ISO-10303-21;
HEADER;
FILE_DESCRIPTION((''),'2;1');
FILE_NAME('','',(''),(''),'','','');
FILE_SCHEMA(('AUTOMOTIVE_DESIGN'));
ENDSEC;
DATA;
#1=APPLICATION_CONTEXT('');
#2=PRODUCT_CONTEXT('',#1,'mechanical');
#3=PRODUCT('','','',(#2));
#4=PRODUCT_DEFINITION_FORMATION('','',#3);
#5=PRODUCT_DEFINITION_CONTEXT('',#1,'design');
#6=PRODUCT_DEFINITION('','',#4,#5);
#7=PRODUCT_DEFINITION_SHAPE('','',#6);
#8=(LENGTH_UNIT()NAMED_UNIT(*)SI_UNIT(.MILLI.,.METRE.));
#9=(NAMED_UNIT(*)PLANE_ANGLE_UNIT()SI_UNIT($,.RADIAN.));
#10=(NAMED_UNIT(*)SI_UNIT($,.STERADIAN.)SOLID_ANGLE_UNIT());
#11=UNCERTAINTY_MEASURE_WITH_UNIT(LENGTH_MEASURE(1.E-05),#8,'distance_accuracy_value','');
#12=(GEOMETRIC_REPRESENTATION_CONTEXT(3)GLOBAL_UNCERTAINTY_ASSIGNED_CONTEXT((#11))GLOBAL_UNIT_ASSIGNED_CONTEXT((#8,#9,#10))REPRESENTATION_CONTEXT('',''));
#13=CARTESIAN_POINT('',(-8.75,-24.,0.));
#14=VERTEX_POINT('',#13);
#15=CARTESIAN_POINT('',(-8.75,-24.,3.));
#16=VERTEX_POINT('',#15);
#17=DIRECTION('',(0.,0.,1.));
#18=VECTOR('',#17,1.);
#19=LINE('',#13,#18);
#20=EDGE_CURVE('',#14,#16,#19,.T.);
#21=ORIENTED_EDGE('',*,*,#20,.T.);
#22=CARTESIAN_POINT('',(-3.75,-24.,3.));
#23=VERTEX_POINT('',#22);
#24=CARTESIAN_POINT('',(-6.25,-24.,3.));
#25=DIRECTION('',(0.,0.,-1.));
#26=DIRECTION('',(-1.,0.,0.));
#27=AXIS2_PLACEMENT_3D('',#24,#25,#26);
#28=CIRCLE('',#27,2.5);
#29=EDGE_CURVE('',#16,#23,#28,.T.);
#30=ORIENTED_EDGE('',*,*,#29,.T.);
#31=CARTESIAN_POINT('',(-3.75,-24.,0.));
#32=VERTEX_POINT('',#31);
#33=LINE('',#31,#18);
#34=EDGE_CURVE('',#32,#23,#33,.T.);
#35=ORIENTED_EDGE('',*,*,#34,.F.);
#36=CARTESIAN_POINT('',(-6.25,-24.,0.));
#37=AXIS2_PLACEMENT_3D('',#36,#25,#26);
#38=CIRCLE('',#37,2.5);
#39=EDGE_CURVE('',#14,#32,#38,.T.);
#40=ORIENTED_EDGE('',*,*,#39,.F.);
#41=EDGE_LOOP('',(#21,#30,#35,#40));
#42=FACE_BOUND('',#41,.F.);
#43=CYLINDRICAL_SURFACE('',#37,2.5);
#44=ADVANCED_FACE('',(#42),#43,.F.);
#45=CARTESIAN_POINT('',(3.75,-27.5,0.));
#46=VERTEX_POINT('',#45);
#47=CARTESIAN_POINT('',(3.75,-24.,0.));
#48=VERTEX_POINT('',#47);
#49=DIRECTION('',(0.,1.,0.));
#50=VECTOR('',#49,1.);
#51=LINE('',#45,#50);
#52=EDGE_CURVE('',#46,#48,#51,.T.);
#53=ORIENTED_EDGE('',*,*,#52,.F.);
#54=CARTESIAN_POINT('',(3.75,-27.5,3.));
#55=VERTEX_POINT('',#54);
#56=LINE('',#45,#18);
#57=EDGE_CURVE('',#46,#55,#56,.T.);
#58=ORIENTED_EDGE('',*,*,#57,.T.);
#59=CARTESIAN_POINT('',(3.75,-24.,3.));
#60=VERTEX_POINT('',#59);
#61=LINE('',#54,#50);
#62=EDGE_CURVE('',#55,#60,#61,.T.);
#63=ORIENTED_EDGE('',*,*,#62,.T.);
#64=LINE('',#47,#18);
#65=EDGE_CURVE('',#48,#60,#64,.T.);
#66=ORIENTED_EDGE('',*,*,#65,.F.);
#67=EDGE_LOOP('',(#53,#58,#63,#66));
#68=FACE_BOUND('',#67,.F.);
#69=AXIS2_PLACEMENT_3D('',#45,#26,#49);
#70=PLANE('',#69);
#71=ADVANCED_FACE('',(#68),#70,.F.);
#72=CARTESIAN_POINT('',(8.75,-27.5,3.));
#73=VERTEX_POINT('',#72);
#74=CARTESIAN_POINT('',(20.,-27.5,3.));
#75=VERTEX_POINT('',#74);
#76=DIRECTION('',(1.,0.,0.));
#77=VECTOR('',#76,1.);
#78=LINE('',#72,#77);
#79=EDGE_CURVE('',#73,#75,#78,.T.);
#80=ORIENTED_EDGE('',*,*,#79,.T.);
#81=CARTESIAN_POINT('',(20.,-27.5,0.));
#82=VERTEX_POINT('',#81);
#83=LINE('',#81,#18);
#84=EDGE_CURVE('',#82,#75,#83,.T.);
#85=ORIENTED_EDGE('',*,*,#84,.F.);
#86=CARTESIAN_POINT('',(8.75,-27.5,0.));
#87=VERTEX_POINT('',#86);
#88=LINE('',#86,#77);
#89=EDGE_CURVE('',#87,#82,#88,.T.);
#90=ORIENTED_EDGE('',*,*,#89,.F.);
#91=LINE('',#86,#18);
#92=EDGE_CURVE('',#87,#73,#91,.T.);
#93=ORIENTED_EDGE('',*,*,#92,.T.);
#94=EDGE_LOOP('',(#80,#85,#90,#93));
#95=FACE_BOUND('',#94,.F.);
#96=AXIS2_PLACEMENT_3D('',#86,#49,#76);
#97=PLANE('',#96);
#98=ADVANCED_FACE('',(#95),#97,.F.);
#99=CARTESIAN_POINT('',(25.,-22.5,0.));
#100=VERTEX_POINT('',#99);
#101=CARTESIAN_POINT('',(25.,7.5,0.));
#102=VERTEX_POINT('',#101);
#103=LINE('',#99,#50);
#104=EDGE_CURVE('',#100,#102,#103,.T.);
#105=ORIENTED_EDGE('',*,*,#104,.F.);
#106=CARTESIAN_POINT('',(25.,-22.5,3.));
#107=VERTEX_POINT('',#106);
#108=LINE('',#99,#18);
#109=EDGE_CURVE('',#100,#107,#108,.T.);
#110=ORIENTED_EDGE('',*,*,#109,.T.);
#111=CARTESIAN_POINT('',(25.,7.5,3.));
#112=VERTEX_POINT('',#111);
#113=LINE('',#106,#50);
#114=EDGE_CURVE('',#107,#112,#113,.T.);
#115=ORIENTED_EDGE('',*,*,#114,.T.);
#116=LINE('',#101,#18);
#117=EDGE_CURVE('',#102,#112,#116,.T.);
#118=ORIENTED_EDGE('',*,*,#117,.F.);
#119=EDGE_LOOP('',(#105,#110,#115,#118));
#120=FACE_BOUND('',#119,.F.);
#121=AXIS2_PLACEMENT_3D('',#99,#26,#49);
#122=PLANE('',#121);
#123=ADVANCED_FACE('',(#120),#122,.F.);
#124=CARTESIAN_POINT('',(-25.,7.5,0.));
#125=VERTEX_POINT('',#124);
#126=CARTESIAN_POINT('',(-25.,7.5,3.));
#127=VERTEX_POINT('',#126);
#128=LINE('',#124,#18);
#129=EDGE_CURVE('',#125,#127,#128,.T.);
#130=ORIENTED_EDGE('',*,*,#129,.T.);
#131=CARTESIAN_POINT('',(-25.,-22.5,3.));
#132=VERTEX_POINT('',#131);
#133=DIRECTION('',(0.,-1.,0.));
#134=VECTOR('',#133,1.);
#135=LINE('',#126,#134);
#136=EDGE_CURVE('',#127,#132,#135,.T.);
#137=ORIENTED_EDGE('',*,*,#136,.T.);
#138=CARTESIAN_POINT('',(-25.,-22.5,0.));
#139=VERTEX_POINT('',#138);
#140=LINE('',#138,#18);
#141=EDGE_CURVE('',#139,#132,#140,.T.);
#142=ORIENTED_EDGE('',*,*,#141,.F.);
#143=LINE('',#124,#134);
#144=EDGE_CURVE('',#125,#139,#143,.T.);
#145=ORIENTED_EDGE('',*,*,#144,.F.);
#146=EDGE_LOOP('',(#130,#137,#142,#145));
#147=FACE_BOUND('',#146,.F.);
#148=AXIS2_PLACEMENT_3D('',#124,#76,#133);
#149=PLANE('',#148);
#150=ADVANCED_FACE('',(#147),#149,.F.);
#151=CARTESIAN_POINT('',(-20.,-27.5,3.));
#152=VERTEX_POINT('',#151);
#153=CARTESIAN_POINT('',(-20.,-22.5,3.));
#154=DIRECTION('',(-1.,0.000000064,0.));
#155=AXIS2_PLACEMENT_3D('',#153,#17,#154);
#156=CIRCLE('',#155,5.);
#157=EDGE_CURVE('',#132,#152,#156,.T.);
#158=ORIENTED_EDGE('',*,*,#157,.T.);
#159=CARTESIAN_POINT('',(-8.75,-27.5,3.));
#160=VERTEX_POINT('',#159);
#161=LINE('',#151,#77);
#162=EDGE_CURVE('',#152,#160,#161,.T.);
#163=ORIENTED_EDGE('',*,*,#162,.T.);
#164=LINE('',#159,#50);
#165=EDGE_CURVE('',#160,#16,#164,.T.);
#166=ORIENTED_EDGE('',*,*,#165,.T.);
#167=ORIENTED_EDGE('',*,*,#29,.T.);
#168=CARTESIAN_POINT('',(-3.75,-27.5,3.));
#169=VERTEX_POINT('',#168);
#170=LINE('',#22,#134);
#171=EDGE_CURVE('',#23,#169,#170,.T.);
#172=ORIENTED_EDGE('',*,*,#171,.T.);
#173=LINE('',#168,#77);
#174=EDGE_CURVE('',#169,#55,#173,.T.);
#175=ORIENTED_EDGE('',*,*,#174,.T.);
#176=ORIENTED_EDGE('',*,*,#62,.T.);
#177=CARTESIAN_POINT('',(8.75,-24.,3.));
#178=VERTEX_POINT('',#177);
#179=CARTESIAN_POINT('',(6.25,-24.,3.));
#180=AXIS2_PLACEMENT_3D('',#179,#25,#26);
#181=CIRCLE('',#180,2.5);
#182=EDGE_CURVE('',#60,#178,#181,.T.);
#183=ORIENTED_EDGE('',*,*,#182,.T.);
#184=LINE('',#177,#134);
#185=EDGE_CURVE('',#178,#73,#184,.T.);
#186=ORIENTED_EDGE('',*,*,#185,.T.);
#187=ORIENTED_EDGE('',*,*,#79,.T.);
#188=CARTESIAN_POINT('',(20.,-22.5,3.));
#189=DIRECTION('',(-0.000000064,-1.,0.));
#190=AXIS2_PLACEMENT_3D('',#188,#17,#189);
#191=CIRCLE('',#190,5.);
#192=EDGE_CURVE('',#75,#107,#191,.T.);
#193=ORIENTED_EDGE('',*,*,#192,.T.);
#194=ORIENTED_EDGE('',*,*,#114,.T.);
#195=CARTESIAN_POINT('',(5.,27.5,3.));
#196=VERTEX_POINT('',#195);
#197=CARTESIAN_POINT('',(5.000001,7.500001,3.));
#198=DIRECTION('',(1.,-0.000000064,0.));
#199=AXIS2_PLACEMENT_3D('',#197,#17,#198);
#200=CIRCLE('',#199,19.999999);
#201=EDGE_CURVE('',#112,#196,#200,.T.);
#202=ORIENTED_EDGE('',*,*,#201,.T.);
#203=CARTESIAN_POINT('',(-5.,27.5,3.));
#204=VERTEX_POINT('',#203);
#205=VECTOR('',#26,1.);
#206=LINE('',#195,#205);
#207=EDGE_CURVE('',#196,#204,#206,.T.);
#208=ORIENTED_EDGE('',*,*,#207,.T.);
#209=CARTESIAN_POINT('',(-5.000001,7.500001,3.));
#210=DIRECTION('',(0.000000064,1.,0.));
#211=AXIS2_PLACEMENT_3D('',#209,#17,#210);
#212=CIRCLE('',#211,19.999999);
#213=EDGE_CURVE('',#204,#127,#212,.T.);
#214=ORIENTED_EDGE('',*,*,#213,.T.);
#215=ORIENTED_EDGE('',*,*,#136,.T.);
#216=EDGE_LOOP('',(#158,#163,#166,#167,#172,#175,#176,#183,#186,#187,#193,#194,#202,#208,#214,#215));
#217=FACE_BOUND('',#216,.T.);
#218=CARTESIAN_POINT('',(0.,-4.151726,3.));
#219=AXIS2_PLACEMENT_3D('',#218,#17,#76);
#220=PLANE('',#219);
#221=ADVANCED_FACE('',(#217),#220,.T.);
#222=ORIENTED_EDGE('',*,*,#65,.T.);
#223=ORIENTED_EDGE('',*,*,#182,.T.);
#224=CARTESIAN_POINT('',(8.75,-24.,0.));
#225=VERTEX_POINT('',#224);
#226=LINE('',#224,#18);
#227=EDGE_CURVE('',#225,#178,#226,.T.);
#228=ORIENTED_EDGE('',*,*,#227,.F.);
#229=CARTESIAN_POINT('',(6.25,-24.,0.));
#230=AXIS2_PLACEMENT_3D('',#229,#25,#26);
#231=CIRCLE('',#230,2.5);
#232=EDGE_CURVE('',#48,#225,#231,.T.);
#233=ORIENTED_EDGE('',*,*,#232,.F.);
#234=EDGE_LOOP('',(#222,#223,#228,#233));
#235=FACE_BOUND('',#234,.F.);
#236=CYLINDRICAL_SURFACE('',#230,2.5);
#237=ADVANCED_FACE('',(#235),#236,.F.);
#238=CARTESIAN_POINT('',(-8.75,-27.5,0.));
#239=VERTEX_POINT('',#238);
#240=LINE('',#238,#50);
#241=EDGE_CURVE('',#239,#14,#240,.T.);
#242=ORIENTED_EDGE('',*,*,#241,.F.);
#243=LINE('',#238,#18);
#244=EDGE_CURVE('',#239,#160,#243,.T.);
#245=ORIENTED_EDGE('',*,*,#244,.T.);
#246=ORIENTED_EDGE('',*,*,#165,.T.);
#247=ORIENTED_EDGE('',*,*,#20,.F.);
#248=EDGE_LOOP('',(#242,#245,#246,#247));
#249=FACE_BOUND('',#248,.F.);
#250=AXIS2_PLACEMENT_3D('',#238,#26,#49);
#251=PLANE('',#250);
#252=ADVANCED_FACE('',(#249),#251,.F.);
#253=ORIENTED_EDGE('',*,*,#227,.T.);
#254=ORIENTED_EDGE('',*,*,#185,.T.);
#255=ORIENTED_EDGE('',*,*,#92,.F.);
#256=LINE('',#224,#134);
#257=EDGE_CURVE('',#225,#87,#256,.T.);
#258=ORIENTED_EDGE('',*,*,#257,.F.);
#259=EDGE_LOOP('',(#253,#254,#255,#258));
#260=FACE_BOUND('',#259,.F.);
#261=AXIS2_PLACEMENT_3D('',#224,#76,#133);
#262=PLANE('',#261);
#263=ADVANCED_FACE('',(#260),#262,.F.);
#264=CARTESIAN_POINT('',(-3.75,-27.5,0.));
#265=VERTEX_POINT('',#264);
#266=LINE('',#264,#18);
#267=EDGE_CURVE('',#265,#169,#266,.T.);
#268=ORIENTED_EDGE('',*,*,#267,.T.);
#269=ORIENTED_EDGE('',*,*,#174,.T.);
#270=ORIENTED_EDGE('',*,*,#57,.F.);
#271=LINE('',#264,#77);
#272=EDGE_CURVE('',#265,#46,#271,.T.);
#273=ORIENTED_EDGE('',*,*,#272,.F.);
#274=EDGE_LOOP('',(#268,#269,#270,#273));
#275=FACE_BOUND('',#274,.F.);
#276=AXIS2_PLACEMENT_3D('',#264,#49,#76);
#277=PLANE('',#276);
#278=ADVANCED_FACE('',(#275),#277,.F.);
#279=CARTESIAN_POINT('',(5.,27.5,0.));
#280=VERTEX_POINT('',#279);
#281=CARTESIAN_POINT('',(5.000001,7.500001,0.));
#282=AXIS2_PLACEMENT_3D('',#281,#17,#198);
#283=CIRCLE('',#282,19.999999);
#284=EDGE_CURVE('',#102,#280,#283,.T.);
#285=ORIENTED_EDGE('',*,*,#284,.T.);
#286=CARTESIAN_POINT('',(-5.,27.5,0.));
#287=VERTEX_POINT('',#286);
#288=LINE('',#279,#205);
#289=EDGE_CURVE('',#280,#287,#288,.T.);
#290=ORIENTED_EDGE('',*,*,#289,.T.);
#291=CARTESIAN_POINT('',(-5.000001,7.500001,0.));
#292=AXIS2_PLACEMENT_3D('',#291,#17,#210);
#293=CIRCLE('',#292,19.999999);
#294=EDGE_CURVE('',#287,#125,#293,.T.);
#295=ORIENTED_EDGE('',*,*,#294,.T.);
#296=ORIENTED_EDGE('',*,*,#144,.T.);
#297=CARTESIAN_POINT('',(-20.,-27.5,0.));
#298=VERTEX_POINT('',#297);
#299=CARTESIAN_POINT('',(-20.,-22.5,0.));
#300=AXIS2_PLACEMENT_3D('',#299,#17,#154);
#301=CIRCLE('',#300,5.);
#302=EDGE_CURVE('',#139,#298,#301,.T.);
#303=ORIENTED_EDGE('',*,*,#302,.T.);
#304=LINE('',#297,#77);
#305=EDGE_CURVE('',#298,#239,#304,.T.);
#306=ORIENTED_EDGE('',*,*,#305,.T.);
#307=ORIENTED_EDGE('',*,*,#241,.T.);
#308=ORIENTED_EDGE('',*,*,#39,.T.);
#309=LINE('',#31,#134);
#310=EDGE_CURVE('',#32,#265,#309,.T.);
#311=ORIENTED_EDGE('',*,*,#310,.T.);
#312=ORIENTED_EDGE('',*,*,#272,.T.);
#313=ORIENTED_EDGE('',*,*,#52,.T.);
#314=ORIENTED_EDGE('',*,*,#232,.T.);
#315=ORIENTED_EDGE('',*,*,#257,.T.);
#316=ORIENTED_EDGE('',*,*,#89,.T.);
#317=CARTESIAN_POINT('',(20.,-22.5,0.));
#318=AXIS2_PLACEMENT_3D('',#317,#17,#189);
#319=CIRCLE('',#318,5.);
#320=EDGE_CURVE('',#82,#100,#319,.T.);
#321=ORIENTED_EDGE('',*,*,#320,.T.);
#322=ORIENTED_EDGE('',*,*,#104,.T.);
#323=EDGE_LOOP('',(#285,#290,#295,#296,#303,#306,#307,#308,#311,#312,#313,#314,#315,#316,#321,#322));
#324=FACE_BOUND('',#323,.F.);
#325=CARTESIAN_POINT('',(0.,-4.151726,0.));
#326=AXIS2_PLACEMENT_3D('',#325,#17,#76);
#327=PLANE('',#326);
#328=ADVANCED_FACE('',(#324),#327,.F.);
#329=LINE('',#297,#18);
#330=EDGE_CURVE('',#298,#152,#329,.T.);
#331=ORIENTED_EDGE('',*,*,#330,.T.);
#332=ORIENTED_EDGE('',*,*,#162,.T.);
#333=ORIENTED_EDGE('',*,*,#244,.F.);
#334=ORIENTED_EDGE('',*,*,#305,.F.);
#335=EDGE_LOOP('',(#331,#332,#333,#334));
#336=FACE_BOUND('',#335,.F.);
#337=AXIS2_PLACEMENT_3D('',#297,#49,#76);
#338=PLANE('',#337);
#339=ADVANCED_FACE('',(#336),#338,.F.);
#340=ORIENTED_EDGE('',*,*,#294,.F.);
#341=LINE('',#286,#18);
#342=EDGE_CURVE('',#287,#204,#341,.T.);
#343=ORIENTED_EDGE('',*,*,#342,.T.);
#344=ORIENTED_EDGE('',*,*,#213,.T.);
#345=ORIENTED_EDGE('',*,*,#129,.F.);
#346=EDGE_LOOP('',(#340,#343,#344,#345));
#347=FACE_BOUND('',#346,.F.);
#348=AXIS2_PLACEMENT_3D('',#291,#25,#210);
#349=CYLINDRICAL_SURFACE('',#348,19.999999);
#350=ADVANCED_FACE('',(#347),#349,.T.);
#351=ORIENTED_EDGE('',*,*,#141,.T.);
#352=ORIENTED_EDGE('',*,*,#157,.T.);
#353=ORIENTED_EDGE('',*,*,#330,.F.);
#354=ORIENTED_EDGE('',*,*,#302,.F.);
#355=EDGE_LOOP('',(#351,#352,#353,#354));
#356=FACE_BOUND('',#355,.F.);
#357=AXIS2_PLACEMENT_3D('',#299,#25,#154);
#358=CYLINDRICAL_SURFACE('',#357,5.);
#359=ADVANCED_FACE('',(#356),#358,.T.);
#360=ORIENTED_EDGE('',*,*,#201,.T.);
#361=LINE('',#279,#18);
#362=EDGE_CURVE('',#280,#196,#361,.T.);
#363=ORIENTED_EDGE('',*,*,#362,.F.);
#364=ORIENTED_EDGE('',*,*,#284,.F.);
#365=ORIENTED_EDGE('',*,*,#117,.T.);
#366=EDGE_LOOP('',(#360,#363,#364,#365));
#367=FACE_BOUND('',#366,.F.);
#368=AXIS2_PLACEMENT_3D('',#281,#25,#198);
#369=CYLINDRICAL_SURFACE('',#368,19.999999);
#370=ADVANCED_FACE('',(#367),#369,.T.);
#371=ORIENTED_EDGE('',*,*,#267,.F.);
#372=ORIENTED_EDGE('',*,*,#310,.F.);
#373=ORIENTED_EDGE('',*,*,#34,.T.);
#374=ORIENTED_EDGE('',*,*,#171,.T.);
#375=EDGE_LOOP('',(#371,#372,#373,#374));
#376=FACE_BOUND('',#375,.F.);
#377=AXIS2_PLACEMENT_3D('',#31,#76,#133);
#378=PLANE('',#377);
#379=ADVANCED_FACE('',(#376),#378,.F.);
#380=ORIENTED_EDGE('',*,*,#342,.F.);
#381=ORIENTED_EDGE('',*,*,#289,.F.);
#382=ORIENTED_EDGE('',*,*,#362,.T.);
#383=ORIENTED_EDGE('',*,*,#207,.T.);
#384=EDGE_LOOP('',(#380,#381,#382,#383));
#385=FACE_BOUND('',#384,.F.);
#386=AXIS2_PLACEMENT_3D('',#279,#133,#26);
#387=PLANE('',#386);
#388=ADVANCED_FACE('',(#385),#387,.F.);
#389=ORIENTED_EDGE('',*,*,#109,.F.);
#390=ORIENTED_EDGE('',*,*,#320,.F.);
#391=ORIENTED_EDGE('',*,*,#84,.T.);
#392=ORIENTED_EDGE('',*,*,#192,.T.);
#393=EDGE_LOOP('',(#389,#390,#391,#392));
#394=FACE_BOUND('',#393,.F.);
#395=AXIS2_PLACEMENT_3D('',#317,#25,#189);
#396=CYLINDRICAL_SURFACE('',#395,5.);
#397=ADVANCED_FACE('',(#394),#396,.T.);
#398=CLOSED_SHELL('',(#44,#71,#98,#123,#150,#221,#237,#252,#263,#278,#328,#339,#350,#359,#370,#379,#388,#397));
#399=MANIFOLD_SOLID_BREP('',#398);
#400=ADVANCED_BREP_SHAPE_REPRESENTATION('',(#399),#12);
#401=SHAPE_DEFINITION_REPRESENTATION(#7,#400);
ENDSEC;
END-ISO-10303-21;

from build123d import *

# Parameters (mm, degrees)
F1_DEPTH = 3


with BuildPart() as f1:
    # F0 (on Top) → F1 (new body)
    with BuildSketch(Plane.XY):
        with BuildLine():
            Line((5, 27.5), (-5, 27.5))
            ThreePointArc((-5, 27.5), (-19.142136, 21.642136), (-25, 7.5))
            Line((-25, 7.5), (-25, -22.5))
            ThreePointArc((-25, -22.5), (-23.535534, -26.035534), (-20, -27.5))
            Line((-20, -27.5), (-8.75, -27.5))
            Line((-8.75, -27.5), (-8.75, -24))
            ThreePointArc((-8.75, -24), (-6.25, -21.5), (-3.75, -24))
            Line((-3.75, -24), (-3.75, -27.5))
            Line((-3.75, -27.5), (3.75, -27.5))
            Line((3.75, -27.5), (3.75, -24))
            ThreePointArc((3.75, -24), (6.25, -21.5), (8.75, -24))
            Line((8.75, -24), (8.75, -27.5))
            Line((8.75, -27.5), (20, -27.5))
            ThreePointArc((20, -27.5), (23.535534, -26.035534), (25, -22.5))
            Line((25, -22.5), (25, 7.5))
            ThreePointArc((25, 7.5), (19.142136, 21.642136), (5, 27.5))
        make_face()
    extrude(amount=F1_DEPTH)


solid = f1.part
